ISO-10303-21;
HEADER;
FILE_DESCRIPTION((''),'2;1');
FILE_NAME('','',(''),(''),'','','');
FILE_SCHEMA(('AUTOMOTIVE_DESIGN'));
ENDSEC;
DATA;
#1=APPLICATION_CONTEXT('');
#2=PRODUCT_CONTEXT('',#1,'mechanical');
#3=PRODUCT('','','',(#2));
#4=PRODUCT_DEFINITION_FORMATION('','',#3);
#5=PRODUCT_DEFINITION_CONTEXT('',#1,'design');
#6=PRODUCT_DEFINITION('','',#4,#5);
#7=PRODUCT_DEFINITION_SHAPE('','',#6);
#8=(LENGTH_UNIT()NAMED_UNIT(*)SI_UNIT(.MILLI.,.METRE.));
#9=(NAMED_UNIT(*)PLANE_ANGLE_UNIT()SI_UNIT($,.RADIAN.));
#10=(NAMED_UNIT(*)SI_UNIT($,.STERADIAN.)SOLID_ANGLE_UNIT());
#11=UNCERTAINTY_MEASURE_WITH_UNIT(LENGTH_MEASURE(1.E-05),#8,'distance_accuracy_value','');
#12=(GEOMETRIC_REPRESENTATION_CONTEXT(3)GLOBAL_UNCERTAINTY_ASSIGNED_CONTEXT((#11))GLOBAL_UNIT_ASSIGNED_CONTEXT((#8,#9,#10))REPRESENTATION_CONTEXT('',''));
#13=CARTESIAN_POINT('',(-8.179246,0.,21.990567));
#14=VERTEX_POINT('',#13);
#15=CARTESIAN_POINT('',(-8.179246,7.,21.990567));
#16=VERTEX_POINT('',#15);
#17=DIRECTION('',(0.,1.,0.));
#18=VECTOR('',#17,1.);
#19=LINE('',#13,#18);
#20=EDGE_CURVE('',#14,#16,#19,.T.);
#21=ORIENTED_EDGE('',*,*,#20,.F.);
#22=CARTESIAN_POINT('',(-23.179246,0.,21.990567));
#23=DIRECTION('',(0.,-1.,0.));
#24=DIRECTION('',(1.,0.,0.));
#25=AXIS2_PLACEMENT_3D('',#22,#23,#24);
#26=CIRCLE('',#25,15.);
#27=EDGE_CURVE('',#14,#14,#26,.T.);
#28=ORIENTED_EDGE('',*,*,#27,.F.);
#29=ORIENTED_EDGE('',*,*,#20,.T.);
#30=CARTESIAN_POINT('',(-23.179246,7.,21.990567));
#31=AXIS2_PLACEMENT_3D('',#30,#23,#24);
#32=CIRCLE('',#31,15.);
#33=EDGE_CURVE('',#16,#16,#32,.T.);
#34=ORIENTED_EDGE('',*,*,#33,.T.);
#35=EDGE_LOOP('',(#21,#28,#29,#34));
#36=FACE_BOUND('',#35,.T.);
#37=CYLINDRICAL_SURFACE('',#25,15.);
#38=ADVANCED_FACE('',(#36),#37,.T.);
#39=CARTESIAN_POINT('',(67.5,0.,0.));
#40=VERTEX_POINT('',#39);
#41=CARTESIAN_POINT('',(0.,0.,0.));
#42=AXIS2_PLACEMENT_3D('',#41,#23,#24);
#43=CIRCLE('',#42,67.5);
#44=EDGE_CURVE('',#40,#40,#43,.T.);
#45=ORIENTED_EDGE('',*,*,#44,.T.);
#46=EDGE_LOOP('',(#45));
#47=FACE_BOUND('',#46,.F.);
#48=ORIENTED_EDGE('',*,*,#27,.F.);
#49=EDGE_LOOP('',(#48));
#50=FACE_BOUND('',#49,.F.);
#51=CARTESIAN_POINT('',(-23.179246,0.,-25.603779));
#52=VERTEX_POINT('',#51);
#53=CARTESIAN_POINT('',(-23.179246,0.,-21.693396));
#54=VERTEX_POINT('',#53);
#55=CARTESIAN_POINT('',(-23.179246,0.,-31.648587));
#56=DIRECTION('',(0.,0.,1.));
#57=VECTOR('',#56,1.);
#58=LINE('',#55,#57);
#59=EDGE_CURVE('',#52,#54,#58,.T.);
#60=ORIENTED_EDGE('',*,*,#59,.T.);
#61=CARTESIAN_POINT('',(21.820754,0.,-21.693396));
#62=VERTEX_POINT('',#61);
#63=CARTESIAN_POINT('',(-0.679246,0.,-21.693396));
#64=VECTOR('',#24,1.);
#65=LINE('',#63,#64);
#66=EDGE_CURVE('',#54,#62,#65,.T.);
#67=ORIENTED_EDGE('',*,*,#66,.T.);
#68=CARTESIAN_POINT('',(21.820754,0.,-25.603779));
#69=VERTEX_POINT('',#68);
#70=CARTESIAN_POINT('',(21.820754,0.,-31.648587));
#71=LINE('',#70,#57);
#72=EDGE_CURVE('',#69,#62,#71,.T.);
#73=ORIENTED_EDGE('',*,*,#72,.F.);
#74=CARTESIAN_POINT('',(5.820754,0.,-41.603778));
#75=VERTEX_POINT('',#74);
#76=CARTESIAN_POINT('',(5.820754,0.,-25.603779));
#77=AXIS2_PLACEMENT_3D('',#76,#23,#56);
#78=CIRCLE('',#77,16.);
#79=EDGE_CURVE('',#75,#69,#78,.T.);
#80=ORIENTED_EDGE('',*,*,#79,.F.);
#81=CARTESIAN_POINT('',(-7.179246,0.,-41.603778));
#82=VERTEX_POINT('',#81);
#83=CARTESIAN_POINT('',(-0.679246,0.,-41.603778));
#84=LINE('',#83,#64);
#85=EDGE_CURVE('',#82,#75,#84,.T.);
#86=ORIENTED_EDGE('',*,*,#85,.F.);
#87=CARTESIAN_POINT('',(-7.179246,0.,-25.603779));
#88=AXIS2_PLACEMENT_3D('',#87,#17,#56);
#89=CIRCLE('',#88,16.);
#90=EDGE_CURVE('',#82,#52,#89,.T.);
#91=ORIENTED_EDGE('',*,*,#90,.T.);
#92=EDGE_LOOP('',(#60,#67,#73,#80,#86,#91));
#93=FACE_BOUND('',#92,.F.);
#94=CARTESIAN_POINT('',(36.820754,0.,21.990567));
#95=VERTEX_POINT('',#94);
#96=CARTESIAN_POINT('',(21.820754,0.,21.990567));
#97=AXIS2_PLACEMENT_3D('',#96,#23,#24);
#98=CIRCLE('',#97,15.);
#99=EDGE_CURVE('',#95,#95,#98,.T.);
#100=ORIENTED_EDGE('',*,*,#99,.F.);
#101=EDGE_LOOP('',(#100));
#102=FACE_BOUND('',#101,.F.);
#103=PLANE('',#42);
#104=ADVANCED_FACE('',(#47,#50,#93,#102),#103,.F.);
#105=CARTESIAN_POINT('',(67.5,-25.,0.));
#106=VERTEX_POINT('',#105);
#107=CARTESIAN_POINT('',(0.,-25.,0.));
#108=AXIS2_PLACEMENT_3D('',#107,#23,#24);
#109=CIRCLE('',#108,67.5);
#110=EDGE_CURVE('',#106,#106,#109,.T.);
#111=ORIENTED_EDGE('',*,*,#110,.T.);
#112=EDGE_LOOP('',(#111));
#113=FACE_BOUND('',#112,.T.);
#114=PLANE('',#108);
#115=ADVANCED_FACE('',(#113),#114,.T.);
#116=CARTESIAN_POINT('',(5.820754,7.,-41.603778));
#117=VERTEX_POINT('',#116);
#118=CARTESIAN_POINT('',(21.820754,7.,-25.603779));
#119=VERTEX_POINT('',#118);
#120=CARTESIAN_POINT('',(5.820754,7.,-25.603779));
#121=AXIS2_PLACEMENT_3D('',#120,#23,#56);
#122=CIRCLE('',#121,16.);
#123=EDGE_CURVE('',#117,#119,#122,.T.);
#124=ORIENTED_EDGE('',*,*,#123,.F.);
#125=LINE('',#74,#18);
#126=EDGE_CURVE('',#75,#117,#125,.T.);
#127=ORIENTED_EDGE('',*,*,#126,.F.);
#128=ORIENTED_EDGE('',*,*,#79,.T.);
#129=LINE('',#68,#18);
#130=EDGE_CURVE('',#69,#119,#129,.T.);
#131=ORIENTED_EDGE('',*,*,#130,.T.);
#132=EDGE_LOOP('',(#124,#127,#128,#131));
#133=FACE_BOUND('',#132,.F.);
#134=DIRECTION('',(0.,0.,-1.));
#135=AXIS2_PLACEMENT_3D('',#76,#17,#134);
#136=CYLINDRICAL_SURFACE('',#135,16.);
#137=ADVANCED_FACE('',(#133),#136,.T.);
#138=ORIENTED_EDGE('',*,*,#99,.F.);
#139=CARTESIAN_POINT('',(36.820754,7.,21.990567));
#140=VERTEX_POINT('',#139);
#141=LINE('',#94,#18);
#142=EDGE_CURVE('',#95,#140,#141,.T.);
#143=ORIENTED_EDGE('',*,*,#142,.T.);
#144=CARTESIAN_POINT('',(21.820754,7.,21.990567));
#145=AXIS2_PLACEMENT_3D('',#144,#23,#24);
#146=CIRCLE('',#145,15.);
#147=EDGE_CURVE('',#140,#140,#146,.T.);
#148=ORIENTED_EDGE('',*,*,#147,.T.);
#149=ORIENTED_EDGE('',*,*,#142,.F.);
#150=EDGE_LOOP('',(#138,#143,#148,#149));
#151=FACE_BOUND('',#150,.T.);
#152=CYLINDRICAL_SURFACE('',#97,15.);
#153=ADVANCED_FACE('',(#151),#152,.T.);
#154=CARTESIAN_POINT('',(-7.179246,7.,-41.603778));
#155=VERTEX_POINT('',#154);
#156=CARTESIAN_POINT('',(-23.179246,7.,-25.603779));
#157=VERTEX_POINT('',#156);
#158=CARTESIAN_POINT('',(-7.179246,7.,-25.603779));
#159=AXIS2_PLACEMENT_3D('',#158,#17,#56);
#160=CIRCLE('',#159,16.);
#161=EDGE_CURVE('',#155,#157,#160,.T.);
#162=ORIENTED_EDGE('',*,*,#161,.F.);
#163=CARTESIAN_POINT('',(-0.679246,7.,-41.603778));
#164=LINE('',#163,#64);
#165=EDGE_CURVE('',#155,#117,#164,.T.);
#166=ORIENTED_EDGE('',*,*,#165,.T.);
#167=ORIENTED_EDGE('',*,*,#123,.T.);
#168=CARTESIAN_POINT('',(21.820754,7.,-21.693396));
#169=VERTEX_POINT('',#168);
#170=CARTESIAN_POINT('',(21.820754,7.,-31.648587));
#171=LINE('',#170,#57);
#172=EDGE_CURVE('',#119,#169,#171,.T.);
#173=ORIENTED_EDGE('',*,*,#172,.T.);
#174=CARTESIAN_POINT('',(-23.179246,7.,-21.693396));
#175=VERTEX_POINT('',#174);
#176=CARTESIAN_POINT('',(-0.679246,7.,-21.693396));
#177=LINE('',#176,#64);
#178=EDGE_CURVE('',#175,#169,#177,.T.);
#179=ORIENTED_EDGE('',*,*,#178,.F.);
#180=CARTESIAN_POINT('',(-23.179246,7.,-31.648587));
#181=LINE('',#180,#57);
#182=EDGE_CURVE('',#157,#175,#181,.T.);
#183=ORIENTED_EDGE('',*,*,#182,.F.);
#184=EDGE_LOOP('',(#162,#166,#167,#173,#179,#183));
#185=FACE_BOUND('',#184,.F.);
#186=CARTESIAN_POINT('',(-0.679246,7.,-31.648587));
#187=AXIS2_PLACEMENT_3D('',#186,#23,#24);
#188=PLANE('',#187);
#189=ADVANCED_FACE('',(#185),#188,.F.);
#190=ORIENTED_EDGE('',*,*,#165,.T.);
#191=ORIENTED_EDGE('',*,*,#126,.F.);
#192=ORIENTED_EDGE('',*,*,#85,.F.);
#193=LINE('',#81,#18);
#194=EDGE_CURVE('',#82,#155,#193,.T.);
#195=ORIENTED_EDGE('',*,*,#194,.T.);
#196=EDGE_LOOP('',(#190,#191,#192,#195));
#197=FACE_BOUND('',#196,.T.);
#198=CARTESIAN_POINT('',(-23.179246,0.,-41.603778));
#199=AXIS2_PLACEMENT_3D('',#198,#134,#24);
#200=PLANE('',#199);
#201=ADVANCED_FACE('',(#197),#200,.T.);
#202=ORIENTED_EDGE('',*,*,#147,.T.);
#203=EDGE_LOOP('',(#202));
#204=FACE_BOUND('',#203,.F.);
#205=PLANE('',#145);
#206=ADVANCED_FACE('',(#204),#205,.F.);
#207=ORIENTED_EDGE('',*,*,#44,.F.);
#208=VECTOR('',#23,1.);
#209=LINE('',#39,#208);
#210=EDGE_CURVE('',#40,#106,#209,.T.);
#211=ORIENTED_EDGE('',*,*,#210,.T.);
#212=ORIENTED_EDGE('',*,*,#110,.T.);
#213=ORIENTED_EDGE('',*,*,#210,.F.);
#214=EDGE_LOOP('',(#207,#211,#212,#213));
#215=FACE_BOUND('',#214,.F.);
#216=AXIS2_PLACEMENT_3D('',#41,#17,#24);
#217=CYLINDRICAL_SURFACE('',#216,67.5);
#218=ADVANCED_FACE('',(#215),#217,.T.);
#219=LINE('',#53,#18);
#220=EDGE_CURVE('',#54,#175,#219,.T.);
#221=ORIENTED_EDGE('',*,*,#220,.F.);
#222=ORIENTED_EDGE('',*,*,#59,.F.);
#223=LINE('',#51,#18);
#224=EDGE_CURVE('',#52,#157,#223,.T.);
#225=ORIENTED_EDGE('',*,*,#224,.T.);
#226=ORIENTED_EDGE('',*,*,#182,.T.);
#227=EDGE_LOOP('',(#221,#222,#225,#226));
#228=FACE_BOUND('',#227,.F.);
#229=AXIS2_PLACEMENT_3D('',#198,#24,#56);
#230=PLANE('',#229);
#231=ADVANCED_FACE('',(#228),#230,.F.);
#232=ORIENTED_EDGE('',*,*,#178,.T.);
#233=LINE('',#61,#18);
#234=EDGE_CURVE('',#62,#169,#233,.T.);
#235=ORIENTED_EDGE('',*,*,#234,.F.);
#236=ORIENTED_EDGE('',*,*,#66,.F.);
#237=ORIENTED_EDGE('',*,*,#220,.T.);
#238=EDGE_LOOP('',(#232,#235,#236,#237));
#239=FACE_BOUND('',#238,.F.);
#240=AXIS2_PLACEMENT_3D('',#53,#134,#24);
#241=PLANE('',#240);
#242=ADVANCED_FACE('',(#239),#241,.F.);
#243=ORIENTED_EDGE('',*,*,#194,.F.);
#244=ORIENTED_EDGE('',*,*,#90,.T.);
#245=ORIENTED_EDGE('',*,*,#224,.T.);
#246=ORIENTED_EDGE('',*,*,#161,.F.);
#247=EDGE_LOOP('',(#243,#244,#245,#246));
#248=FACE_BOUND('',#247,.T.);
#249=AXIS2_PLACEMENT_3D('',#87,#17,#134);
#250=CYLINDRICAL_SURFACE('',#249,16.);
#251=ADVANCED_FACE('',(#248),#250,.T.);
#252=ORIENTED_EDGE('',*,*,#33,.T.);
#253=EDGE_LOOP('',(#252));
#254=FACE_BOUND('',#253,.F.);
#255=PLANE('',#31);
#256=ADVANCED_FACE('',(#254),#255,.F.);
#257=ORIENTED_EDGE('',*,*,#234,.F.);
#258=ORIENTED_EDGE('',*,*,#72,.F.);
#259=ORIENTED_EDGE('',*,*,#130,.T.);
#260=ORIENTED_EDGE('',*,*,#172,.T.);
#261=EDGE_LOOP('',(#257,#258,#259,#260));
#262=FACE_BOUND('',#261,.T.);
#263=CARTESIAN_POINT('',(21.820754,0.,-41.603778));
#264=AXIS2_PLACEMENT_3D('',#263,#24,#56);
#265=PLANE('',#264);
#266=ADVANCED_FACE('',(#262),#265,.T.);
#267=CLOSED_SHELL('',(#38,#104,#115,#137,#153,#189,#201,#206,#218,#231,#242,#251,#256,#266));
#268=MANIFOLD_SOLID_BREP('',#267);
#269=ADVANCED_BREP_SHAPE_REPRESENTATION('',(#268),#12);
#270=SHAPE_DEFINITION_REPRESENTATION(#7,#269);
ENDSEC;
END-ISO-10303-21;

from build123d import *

# Parameters (mm, degrees)
F0_R     = 67.5
F1_DEPTH = 25
F2_R     = 15
F2_W     = 45
F2_H     = 19.910383
F3_DEPTH = 7
F4_R     = 16


with BuildPart() as f1:
    # F0 (on Front) → F1 (new body)
    with BuildSketch(Plane.XZ):
        Circle(F0_R)
    extrude(amount=F1_DEPTH)

    # F2 (on Front) → F3 (join)
    with BuildSketch(Plane.XZ):
        with Locations((-23.179246, 21.990567)):
            Circle(F2_R)
        with Locations((21.820754, 21.990567)):
            Circle(F2_R)
        with Locations((-0.679246, -31.648587)):
            Rectangle(F2_W, F2_H)
    extrude(amount=-F3_DEPTH)

    # F4
    f4_edges = [f1.edges().sort_by_distance(p)[0] for p in [
        (21.820754, 3.5, -41.603778),
        (-23.179246, 3.5, -41.603778),
    ]]
    fillet(f4_edges, radius=F4_R)


solid = f1.part
